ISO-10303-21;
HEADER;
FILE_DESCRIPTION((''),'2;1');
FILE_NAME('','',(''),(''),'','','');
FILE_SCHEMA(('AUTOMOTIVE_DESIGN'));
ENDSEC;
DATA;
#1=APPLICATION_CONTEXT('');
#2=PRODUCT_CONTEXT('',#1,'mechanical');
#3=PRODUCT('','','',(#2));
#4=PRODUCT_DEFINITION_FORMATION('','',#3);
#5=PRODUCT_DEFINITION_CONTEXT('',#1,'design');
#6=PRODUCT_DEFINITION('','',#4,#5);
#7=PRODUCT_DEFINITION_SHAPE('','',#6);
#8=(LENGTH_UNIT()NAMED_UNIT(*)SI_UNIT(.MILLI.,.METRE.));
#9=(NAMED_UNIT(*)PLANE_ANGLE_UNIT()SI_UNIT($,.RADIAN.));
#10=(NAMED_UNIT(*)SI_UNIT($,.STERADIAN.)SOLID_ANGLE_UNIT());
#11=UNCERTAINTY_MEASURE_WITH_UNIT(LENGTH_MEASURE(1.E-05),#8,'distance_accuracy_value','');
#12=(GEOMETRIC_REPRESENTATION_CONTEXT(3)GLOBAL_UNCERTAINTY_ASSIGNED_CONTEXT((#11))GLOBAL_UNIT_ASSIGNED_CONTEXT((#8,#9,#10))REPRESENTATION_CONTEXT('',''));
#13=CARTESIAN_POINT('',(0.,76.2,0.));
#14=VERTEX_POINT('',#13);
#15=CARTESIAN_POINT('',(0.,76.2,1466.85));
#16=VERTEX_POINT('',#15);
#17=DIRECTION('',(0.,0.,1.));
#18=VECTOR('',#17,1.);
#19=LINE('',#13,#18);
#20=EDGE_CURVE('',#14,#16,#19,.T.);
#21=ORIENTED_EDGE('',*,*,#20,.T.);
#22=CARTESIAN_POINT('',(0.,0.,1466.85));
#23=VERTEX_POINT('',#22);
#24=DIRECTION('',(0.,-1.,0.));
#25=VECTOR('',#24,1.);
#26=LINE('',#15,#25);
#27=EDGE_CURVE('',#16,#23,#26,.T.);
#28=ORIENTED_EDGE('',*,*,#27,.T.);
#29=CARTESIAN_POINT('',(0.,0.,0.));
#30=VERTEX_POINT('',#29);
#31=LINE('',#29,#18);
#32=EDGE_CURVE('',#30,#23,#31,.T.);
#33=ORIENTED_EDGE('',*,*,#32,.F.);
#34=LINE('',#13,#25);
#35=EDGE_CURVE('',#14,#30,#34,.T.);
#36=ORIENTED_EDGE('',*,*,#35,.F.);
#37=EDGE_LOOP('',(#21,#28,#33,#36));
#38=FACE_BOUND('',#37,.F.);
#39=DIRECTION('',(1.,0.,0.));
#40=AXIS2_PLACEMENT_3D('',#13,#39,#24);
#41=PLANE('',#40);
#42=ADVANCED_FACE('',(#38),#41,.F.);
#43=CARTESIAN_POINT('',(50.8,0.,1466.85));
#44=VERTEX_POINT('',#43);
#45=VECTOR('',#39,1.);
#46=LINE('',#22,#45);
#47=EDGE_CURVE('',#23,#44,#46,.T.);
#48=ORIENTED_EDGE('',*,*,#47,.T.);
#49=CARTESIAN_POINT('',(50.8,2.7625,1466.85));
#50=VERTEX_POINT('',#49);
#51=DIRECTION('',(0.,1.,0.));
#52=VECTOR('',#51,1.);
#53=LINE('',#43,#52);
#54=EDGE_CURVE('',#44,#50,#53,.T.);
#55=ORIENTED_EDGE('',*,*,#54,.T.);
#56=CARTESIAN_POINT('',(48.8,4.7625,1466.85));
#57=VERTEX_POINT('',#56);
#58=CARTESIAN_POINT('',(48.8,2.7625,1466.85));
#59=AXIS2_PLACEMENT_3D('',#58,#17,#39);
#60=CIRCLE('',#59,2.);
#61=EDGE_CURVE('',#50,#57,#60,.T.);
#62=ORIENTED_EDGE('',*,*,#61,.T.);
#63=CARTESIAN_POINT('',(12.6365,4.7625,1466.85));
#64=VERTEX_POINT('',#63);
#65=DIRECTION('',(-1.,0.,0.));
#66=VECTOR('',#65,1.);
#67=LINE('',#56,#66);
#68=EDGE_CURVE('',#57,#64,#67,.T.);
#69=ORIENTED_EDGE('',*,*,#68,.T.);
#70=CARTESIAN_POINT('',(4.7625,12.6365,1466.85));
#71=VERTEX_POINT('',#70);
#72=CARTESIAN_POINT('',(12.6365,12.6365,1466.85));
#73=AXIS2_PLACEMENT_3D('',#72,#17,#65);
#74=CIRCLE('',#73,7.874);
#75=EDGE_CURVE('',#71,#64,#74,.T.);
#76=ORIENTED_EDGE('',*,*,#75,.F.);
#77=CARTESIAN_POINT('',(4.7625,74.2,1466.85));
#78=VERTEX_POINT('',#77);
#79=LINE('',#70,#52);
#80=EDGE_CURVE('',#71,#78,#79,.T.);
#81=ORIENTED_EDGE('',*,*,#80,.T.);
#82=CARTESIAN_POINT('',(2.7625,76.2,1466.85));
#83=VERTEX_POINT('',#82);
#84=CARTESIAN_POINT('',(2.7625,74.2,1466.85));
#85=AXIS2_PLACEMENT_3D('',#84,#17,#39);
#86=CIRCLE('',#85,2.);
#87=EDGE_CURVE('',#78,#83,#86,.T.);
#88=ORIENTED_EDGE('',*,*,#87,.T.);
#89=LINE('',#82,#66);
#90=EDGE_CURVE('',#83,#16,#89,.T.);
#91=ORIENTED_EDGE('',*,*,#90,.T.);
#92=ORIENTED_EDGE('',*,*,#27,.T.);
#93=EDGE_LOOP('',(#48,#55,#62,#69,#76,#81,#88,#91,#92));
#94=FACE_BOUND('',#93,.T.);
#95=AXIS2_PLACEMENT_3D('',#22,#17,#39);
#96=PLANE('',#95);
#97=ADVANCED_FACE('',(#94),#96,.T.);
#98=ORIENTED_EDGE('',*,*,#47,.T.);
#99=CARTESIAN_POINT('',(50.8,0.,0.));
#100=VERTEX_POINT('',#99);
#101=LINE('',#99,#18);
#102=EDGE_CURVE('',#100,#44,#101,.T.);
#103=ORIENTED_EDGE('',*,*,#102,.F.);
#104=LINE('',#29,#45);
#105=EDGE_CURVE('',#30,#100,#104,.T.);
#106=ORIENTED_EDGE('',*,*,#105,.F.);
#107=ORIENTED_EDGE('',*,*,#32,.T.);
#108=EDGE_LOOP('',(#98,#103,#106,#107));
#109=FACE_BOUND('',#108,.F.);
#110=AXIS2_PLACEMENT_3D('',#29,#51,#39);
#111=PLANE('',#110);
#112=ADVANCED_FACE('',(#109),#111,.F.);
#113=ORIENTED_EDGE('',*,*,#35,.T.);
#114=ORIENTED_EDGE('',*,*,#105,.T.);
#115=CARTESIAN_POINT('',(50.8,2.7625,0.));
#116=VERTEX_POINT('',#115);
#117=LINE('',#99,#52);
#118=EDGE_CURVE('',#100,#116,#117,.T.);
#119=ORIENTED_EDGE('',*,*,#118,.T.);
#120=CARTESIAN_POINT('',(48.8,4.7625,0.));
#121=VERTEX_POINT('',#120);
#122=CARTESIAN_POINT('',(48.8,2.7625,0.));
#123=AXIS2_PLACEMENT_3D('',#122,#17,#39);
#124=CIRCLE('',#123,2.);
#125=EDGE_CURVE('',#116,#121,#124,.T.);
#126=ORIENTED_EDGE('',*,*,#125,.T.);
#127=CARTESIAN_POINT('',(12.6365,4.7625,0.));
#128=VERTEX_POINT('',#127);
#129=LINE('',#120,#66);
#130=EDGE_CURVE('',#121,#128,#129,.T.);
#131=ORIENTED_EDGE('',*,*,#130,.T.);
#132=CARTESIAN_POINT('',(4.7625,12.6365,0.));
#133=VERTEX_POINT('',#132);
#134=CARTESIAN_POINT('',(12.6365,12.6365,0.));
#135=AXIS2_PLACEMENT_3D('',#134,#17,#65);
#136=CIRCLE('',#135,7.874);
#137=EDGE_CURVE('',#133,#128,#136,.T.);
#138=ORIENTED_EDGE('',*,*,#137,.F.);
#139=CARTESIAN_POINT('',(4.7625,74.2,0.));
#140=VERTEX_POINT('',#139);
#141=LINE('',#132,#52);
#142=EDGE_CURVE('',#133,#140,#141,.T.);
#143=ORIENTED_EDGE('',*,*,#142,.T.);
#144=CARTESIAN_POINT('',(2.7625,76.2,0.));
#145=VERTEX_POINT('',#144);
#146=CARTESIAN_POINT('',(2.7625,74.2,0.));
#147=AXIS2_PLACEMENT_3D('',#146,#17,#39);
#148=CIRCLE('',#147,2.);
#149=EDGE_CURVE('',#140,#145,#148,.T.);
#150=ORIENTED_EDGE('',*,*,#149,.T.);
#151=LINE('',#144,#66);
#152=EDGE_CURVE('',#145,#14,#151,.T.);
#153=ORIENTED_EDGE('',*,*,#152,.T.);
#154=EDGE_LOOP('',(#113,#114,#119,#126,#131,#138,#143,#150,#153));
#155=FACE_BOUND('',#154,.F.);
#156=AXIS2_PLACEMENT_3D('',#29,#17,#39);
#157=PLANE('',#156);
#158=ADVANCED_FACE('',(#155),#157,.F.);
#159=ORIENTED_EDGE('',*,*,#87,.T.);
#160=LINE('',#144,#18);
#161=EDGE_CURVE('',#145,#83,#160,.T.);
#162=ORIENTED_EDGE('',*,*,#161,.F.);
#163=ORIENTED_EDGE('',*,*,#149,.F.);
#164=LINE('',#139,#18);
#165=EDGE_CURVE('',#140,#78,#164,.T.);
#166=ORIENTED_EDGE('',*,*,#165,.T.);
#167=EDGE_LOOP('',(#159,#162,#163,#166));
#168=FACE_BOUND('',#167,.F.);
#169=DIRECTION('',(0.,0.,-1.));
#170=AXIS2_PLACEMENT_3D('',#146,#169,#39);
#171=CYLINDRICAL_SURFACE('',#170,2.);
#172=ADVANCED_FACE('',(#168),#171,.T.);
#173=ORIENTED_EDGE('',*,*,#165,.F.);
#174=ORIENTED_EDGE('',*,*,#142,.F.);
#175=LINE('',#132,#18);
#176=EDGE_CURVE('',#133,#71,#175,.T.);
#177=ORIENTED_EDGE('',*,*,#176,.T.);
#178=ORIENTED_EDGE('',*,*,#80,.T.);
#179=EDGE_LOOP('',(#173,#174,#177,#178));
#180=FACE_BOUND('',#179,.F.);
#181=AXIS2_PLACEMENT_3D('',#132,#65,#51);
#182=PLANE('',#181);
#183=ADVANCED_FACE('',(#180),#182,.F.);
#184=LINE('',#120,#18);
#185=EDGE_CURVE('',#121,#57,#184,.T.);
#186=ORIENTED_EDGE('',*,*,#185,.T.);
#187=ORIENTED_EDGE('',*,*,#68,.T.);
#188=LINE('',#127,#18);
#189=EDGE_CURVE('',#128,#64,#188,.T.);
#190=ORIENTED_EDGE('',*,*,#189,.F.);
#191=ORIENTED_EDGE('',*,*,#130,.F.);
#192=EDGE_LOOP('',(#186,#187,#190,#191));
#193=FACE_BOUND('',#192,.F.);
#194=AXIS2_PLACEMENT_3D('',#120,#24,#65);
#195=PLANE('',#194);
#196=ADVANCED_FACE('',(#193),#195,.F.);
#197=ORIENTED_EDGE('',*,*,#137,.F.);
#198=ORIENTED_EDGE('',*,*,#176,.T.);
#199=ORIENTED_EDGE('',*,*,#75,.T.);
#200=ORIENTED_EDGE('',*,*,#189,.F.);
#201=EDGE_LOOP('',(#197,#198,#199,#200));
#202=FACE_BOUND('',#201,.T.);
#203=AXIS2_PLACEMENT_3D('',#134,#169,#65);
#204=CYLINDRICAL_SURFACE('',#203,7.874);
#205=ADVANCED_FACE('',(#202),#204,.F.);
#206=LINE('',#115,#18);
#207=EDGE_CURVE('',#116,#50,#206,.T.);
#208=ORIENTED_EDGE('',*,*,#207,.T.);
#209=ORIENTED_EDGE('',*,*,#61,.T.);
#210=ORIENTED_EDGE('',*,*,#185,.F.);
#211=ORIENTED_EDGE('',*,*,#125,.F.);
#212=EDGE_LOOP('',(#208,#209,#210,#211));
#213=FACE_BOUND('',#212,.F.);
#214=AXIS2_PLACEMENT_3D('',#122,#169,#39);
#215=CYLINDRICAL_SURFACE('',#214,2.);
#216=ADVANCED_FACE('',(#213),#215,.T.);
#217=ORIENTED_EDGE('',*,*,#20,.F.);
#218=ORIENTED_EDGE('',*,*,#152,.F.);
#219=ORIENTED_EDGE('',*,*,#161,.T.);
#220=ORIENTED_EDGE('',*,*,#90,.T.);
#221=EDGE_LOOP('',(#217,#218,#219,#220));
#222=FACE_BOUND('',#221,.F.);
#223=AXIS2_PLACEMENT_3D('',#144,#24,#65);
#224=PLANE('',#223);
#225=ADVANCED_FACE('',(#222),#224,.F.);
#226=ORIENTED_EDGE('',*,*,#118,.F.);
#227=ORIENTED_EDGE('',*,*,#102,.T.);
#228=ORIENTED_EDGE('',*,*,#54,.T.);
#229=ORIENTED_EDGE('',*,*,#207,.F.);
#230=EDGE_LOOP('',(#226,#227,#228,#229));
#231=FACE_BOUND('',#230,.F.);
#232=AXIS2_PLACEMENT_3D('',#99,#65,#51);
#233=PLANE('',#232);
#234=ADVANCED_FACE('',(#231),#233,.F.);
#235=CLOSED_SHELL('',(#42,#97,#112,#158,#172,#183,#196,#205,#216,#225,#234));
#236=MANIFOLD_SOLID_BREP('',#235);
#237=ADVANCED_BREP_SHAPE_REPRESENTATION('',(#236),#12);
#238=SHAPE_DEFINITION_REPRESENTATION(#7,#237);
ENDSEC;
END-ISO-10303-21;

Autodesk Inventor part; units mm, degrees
ref_plane "YZ Plane" through (0, 0, 0) normal (1, 0, 0) x (0, 1, 0)
ref_plane "Start plane" through (0, 0, 0) normal (0, 0, 1) x (1, 0, 0)
ref_plane "End plane" through (0, 0, 1466.85) normal (0, 0, 1) x (1, 0, 0)
sketch "Sketch" plane through (0, 0, 0) normal (0, 0, 1) x (1, 0, 0)
  line L0 (0, 76.2) -> (0, 0)
  line L1 (0, 0) -> (50.8, 0)
  line L2 (50.8, 0) -> (50.8, 2.7625)
  line L3 (48.8, 4.7625) -> (12.6365, 4.7625)
  line L4 (4.7625, 12.6365) -> (4.7625, 74.2)
  line L5 (2.7625, 76.2) -> (0, 76.2)
  line L6 (-7.0414, 0) -> (21.5385, 0) construction
  line L7 (0, -8.0414) -> (0, 34.5385) construction
  arc A0 (4.7625, 12.6365) -> (12.6365, 4.7625) centre (12.6365, 12.6365) ccw
  arc A1 (50.8, 2.7625) -> (48.8, 4.7625) centre (48.8, 2.7625) ccw
  arc A2 (4.7625, 74.2) -> (2.7625, 76.2) centre (2.7625, 74.2) ccw
  line L8 (0, 93.5453) -> (0, -24.9725) construction
  line L9 (-18.6925, 0) -> (62.8653, 0) construction
  point P0 (50.8, 4.7625)
  point P1 (4.7625, 4.7625)
  point P2 (4.7625, 76.2)
  dimension "d12" = 4.7625
  dimension "d13" = 76.2
  dimension "d14" = 50.8
  dimension "d15" = 0
  dimension "d16" = 4.7625
  dimension "d17" = 0
  dimension "d18" = 7.874
  dimension "d19" = 2
extrude "Body" add sketch "Sketch" along normal up to surface (1466.85 mm away) from surface at 0
equation "\"d12\" = G_T"
equation "\"d13\" = G_H"
equation "\"d14\" = G_W"
equation "\"d16\" = G_T"
equation "\"d18\" = G_IR"
equation "\"d4\" = G_L"
equation "\"G_W\" = 50.8"
equation "\"G_H\" = 76.2"
equation "\"G_T\" = 4.7625"
equation "\"G_ER\" = 4.064"
equation "\"G_IR\" = 7.874"
equation "\"G_L\" = B_L + G_OFFSET_START + G_OFFSET_END"
equation "\"ex\" = 0"
equation "\"ey\" = 0"
equation "\"G_OFFSET_START\" = 0"
equation "\"G_OFFSET_END\" = 0"
equation "\"d21\" = G_OFFSET_END + B_L"
equation "\"B_L\" = 1466.85"
properties part number "ANSI L 3 x 2 x 3_16 00000004"
